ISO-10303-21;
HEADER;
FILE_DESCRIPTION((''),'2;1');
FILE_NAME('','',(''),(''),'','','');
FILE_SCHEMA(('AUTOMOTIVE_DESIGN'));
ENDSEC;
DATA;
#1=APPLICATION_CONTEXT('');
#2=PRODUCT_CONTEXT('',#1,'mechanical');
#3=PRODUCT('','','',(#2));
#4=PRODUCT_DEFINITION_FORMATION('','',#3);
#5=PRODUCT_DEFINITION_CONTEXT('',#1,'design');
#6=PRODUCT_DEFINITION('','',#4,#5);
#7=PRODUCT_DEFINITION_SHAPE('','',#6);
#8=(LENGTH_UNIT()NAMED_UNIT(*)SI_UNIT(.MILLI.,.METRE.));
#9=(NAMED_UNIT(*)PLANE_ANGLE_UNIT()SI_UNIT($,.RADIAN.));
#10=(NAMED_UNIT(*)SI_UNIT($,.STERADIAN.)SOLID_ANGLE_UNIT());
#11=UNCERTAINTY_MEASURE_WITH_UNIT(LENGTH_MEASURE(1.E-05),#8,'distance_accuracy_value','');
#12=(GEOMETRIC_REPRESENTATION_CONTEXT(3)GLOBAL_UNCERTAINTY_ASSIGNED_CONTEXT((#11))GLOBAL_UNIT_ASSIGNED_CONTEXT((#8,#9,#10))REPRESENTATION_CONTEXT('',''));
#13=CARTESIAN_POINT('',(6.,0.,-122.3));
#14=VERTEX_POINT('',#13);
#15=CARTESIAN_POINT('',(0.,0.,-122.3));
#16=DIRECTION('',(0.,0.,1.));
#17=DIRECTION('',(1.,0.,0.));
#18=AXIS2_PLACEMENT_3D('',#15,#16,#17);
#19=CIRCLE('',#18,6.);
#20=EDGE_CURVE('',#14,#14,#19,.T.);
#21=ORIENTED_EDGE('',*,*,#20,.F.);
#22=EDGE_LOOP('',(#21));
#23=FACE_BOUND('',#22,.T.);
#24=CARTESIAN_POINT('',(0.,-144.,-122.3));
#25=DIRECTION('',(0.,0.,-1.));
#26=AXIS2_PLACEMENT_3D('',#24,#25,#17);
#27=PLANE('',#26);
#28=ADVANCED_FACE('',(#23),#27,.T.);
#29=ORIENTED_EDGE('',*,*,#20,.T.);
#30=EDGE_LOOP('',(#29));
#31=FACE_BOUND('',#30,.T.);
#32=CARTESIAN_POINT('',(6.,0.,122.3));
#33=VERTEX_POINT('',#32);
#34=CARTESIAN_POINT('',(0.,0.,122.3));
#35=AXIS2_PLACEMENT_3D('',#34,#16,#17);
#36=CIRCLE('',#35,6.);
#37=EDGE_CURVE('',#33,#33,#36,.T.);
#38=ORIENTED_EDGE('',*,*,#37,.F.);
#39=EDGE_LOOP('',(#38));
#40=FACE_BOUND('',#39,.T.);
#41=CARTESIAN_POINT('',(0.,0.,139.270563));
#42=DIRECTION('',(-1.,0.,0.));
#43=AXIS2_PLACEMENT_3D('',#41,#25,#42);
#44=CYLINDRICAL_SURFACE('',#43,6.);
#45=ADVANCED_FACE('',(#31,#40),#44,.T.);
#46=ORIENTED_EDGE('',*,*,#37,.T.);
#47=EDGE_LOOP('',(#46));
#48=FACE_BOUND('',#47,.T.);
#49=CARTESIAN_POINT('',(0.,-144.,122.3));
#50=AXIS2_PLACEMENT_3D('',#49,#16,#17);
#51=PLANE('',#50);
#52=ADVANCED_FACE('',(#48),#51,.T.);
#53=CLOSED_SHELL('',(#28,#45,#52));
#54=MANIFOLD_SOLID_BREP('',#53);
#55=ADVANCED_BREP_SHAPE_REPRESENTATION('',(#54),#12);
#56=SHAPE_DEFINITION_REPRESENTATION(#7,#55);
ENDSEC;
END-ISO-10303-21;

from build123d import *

# Parameters (mm, degrees)
SKETCH_1_R      = 6
EXTRUDE_1_DEPTH = 122.3


with BuildPart() as part:
    # Эскиз1 → Бобышка-Вытянуть1 (new body)
    with BuildSketch(Plane.XY):
        Circle(SKETCH_1_R)
    extrude(amount=EXTRUDE_1_DEPTH)

    # Зеркальное отражение1: part across plane


with BuildPart() as part_1:
    add(part.part)
    add(part.part.mirror(Plane.XY))


solid = part_1.part
